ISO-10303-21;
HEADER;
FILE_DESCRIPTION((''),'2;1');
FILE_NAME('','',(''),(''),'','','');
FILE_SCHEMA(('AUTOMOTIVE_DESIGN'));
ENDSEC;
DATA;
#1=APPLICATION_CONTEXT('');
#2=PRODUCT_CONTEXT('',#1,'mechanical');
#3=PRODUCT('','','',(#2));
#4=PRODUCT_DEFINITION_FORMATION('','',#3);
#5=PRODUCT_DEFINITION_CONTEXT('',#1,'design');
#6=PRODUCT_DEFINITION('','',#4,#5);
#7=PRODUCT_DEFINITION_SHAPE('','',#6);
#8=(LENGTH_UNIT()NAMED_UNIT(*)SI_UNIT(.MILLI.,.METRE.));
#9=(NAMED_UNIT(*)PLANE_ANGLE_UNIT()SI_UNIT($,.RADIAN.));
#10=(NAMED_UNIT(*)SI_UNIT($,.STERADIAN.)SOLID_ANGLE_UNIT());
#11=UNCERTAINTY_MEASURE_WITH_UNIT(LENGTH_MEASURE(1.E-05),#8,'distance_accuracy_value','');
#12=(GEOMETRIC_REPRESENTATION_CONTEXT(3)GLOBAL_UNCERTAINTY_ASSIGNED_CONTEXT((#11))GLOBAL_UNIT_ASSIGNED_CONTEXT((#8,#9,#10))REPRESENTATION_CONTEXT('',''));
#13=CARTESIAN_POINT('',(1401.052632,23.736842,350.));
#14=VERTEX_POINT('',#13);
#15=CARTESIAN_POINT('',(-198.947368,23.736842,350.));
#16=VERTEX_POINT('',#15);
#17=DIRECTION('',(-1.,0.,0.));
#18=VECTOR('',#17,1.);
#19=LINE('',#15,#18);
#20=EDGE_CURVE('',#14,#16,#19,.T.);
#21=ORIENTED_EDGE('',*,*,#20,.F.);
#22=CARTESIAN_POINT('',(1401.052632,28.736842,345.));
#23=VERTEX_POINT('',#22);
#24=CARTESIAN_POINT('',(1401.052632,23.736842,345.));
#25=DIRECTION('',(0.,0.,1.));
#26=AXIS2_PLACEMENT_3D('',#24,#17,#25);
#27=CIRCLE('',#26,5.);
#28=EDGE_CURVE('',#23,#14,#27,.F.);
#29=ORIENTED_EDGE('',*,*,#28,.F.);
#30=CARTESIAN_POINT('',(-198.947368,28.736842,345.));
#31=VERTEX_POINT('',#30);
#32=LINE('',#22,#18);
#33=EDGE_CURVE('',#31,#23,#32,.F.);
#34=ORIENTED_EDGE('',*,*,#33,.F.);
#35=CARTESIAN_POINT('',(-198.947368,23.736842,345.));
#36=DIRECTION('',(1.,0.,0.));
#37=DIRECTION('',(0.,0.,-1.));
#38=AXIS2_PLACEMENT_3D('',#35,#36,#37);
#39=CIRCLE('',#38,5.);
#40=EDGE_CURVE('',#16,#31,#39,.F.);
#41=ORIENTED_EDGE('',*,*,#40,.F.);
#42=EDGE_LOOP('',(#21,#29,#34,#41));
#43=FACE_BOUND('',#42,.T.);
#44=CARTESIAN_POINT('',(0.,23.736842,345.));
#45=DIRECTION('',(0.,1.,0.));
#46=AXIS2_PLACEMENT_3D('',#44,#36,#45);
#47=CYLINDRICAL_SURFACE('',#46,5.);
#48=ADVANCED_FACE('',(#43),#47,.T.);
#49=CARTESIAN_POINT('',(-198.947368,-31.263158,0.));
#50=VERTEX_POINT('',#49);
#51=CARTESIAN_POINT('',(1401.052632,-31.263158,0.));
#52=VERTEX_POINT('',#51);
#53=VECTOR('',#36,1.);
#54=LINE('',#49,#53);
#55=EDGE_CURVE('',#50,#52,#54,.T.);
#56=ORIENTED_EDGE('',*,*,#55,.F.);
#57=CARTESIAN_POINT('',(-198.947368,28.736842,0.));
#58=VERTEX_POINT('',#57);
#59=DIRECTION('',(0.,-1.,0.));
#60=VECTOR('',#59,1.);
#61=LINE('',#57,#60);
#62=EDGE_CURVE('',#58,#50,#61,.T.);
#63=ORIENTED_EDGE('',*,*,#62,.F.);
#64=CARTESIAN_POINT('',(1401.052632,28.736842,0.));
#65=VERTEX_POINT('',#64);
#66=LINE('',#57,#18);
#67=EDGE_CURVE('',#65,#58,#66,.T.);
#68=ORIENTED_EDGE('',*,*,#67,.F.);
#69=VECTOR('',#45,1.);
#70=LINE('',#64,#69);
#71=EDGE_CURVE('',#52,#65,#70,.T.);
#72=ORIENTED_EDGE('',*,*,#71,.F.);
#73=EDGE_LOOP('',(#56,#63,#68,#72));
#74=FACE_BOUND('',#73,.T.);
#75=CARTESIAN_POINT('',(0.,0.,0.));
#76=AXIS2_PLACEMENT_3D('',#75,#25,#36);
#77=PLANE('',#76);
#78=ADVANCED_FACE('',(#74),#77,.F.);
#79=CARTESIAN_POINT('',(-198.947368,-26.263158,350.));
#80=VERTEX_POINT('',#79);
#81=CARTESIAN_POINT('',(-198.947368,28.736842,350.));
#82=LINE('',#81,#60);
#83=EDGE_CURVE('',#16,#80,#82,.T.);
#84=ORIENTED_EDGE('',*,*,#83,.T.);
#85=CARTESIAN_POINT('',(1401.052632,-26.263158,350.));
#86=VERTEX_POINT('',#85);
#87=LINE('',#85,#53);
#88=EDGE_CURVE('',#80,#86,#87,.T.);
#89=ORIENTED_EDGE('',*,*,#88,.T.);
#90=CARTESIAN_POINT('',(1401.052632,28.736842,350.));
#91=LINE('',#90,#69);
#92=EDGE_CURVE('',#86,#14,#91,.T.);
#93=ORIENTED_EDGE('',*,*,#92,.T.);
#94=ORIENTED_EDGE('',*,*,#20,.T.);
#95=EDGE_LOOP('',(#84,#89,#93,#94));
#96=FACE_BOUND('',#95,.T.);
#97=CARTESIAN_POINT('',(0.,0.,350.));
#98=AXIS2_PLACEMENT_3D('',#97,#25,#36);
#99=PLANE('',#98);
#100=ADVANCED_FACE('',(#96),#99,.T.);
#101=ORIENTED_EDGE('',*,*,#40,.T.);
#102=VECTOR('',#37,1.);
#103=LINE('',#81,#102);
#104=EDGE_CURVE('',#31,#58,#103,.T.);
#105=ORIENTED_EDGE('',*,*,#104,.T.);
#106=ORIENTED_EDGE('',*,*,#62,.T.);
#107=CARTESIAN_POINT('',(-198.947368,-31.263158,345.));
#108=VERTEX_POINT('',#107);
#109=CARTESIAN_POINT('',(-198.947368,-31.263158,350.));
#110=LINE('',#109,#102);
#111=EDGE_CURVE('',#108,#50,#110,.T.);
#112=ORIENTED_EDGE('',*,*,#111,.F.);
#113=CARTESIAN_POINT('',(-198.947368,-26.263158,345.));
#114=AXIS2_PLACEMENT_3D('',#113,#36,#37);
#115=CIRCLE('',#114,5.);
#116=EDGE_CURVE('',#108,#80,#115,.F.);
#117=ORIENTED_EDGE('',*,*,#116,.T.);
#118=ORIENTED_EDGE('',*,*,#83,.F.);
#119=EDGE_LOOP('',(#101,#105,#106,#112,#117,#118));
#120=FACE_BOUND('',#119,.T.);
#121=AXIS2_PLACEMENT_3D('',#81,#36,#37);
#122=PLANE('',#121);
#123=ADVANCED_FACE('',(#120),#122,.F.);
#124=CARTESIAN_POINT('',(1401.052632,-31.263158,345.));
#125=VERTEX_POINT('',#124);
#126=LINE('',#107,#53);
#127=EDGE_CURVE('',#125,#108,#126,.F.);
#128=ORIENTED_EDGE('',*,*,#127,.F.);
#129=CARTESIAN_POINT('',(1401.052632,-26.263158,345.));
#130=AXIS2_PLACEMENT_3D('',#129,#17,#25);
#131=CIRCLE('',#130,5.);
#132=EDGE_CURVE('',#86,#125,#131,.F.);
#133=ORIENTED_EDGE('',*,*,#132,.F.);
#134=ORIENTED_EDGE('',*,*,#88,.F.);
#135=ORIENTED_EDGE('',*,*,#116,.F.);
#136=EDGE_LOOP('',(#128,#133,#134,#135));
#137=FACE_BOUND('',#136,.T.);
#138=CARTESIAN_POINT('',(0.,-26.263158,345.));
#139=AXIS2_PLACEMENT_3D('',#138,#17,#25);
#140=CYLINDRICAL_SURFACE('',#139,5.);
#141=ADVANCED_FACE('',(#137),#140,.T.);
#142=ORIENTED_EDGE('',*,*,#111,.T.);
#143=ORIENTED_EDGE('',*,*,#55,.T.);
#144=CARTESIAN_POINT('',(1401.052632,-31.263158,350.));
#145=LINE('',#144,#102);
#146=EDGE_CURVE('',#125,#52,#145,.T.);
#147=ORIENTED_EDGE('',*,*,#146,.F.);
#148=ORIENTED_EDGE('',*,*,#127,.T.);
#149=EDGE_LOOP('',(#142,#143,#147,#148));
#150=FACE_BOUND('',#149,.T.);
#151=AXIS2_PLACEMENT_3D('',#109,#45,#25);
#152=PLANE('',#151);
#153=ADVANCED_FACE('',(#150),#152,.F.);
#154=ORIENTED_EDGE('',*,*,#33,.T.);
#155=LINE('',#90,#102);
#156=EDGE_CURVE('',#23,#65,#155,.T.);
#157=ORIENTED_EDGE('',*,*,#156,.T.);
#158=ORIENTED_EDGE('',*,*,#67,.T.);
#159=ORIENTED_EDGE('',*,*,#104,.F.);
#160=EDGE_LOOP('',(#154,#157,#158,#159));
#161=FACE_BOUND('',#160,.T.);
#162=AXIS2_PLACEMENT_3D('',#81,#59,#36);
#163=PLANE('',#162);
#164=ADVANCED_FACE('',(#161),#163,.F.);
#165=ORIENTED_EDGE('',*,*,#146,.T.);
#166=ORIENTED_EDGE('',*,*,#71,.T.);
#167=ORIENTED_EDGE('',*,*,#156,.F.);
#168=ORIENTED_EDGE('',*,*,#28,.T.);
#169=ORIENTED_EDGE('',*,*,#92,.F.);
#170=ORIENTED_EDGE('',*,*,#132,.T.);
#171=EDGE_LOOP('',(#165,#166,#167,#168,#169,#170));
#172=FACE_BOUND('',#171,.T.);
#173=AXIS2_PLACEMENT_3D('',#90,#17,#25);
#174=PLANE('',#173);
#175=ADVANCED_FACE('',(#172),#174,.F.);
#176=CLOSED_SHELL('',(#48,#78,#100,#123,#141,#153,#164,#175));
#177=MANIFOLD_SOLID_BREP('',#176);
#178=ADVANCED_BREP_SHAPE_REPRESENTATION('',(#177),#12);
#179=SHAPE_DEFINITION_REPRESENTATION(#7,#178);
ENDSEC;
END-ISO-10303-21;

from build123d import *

# Parameters (mm, degrees)
SKETCH_1_W        = 1600
SKETCH_1_H        = 60
EXTRUDE_258_DEPTH = 350
FILLET_1_R        = 5


with BuildPart() as part:
    # Эскиз1 → Extrude 258 (new body)
    with BuildSketch(Plane.XY):
        with Locations((601.052631579, -1.263157895)):
            Rectangle(SKETCH_1_W, SKETCH_1_H)
    extrude(amount=EXTRUDE_258_DEPTH)

    # Скругление1
    fillet_1_edges = [part.edges().sort_by_distance(p)[0] for p in [
        (601.052631579, 28.736842105, 350),
        (601.052631579, -31.263157895, 350),
    ]]
    fillet(fillet_1_edges, radius=FILLET_1_R)


solid = part.part
